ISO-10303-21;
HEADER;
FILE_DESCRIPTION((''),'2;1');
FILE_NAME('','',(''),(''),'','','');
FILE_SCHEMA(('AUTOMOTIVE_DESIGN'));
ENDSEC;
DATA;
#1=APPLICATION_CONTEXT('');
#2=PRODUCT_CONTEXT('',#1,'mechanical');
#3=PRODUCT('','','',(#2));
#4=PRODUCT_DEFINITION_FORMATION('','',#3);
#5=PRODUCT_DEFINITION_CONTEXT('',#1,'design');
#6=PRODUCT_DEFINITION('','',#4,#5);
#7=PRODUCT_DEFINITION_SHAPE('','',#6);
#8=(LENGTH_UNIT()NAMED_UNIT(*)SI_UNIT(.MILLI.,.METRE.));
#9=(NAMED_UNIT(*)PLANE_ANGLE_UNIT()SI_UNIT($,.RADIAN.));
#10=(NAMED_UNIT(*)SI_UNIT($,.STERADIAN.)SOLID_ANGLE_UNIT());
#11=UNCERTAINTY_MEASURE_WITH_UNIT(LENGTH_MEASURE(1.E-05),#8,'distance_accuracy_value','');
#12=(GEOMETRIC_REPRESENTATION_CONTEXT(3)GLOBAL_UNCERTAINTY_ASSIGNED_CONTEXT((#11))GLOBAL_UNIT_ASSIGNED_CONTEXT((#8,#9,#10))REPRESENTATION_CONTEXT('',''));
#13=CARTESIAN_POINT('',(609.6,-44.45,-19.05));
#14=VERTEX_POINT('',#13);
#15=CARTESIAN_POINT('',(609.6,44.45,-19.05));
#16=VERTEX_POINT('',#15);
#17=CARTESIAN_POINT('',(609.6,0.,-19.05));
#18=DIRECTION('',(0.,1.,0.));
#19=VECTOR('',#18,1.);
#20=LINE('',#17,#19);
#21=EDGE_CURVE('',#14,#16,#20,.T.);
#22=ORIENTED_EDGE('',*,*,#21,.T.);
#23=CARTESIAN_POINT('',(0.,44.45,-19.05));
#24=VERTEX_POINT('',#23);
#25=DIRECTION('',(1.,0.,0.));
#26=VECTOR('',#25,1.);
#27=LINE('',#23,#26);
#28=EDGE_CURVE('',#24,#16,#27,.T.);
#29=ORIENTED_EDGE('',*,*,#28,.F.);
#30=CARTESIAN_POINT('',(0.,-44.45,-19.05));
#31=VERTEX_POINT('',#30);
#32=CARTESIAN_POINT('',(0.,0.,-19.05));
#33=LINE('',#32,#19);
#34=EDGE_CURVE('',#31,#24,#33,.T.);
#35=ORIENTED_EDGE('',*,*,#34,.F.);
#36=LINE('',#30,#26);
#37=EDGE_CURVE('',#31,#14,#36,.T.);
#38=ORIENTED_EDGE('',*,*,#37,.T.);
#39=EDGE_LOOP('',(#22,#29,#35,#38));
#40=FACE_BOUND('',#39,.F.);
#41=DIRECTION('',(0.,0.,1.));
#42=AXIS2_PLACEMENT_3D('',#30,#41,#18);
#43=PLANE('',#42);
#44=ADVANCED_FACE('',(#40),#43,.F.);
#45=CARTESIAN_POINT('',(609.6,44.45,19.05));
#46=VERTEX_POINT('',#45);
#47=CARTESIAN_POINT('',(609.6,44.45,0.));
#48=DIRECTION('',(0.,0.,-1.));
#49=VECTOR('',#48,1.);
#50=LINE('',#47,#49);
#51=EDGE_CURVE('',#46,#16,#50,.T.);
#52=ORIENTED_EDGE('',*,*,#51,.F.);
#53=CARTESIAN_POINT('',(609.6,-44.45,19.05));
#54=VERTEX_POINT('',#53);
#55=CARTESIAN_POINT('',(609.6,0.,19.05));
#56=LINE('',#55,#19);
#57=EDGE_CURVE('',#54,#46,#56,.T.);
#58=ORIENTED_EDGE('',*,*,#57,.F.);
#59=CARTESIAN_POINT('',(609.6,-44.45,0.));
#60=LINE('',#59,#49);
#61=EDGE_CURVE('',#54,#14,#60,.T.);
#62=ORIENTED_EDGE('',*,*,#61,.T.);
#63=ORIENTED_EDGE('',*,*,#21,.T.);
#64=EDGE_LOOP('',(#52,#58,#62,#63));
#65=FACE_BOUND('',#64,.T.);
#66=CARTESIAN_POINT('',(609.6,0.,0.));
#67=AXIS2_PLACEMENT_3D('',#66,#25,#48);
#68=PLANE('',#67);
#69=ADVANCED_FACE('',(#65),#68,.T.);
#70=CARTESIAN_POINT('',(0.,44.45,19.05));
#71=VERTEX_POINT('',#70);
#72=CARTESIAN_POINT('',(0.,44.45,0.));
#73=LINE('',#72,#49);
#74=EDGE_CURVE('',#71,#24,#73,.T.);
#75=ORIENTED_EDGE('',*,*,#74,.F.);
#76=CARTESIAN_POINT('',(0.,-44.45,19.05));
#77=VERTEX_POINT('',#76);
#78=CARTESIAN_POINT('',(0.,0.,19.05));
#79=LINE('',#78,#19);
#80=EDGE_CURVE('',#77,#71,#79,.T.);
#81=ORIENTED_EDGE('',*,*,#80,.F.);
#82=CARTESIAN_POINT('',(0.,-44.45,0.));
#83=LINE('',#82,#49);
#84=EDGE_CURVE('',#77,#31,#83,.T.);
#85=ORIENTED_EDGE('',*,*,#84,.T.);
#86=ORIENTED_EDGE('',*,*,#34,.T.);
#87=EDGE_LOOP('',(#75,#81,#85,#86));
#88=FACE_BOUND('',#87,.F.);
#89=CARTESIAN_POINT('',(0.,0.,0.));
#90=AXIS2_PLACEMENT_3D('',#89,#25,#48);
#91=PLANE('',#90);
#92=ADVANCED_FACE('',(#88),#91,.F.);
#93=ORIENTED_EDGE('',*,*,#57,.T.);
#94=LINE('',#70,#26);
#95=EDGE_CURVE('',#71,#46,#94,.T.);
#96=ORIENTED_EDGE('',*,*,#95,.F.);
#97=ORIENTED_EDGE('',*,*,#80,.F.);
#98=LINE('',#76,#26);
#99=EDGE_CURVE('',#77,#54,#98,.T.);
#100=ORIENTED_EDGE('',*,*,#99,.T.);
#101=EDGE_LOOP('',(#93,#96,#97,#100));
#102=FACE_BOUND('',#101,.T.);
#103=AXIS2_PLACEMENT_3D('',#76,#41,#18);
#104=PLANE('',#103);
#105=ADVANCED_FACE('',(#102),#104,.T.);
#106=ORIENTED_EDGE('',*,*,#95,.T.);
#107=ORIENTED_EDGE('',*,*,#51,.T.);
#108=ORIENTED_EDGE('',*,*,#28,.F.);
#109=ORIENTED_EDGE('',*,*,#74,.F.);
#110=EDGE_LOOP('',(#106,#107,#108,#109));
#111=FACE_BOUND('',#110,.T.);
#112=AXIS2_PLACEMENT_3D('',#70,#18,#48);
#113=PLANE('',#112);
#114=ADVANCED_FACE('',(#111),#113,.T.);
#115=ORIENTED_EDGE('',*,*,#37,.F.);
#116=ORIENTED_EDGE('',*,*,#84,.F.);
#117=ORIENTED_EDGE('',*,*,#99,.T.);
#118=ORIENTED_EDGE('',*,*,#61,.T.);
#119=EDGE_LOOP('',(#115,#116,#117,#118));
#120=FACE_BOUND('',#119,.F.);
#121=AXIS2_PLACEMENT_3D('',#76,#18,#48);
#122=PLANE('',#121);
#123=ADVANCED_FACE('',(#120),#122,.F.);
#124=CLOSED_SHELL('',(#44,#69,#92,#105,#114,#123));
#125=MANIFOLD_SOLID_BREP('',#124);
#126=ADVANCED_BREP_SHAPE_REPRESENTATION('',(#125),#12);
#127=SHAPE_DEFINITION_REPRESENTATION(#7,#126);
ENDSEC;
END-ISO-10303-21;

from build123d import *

# Parameters (mm, degrees)
SKETCH1_W           = 38.1
SKETCH1_H           = 88.9
BOSS_EXTRUDE1_DEPTH = 609.6


with BuildPart() as part:
    # Sketch1 → Boss-Extrude1 (new body)
    with BuildSketch(Plane(origin=(0, 0, 0), x_dir=(0, 0, -1), z_dir=(1, 0, 0))):
        Rectangle(SKETCH1_W, SKETCH1_H)
    extrude(amount=BOSS_EXTRUDE1_DEPTH)


solid = part.part
